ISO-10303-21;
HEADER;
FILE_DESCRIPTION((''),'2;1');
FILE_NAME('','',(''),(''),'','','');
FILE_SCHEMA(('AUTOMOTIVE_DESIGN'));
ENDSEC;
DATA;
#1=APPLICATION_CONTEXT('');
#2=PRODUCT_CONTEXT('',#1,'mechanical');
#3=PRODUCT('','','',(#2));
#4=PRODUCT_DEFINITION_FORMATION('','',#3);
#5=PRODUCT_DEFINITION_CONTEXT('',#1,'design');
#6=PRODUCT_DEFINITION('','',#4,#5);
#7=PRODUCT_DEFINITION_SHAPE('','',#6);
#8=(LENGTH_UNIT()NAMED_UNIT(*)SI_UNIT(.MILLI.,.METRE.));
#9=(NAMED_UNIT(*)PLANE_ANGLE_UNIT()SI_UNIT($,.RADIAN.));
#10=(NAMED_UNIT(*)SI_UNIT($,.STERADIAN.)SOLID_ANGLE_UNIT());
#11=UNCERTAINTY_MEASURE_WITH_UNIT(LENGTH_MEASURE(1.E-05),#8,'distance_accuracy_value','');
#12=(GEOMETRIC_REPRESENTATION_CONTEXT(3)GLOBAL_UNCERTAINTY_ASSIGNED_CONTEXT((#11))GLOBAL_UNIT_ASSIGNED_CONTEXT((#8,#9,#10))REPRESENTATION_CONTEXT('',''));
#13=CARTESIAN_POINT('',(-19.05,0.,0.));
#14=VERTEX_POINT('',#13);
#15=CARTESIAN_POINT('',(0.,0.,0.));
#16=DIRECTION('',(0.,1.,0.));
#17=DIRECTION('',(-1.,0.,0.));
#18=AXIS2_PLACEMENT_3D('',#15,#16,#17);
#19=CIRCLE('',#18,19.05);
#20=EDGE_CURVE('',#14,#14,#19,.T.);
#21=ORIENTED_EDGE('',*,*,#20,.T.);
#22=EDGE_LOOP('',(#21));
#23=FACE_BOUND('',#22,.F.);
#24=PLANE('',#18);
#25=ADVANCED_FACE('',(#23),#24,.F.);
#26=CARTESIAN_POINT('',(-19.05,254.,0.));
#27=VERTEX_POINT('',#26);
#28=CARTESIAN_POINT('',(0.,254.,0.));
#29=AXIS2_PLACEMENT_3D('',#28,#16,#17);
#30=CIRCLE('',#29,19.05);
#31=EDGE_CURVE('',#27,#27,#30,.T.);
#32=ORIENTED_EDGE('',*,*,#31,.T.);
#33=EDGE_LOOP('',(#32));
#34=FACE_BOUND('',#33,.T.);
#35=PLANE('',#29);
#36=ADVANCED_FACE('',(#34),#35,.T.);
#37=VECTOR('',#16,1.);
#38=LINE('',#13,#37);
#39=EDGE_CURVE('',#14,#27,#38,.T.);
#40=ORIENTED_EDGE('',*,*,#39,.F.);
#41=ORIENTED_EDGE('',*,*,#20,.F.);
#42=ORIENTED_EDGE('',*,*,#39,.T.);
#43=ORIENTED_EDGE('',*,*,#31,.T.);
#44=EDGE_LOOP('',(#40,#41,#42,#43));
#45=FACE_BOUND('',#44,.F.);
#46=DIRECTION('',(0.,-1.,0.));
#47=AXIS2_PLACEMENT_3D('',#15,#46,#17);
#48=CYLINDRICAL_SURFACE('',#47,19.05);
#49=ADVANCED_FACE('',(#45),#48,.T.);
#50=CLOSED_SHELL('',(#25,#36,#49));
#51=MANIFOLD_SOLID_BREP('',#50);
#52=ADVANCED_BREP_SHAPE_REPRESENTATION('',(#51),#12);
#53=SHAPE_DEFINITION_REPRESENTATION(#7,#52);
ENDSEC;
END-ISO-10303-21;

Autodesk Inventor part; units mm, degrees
ref_plane "YZ Plane" through (0, 0, 0) normal (1, 0, 0) x (0, 1, 0)
ref_plane "XZ Plane" through (0, 0, 0) normal (0, 1, 0) x (-1, 0, 0)
ref_plane "XY Plane" through (0, 0, 0) normal (0, 0, 1) x (1, 0, 0)
sketch "Sketch1" plane through (0, 0, 0) normal (0, 1, 0) x (-1, 0, 0)
  circle A0 centre (0, 0) radius 19.05
  dimension "d0" = 38.1
extrude "Extrusion1" add sketch "Sketch1" along normal blind 254
properties part number "SpindlePlaceholder" material "Air"
